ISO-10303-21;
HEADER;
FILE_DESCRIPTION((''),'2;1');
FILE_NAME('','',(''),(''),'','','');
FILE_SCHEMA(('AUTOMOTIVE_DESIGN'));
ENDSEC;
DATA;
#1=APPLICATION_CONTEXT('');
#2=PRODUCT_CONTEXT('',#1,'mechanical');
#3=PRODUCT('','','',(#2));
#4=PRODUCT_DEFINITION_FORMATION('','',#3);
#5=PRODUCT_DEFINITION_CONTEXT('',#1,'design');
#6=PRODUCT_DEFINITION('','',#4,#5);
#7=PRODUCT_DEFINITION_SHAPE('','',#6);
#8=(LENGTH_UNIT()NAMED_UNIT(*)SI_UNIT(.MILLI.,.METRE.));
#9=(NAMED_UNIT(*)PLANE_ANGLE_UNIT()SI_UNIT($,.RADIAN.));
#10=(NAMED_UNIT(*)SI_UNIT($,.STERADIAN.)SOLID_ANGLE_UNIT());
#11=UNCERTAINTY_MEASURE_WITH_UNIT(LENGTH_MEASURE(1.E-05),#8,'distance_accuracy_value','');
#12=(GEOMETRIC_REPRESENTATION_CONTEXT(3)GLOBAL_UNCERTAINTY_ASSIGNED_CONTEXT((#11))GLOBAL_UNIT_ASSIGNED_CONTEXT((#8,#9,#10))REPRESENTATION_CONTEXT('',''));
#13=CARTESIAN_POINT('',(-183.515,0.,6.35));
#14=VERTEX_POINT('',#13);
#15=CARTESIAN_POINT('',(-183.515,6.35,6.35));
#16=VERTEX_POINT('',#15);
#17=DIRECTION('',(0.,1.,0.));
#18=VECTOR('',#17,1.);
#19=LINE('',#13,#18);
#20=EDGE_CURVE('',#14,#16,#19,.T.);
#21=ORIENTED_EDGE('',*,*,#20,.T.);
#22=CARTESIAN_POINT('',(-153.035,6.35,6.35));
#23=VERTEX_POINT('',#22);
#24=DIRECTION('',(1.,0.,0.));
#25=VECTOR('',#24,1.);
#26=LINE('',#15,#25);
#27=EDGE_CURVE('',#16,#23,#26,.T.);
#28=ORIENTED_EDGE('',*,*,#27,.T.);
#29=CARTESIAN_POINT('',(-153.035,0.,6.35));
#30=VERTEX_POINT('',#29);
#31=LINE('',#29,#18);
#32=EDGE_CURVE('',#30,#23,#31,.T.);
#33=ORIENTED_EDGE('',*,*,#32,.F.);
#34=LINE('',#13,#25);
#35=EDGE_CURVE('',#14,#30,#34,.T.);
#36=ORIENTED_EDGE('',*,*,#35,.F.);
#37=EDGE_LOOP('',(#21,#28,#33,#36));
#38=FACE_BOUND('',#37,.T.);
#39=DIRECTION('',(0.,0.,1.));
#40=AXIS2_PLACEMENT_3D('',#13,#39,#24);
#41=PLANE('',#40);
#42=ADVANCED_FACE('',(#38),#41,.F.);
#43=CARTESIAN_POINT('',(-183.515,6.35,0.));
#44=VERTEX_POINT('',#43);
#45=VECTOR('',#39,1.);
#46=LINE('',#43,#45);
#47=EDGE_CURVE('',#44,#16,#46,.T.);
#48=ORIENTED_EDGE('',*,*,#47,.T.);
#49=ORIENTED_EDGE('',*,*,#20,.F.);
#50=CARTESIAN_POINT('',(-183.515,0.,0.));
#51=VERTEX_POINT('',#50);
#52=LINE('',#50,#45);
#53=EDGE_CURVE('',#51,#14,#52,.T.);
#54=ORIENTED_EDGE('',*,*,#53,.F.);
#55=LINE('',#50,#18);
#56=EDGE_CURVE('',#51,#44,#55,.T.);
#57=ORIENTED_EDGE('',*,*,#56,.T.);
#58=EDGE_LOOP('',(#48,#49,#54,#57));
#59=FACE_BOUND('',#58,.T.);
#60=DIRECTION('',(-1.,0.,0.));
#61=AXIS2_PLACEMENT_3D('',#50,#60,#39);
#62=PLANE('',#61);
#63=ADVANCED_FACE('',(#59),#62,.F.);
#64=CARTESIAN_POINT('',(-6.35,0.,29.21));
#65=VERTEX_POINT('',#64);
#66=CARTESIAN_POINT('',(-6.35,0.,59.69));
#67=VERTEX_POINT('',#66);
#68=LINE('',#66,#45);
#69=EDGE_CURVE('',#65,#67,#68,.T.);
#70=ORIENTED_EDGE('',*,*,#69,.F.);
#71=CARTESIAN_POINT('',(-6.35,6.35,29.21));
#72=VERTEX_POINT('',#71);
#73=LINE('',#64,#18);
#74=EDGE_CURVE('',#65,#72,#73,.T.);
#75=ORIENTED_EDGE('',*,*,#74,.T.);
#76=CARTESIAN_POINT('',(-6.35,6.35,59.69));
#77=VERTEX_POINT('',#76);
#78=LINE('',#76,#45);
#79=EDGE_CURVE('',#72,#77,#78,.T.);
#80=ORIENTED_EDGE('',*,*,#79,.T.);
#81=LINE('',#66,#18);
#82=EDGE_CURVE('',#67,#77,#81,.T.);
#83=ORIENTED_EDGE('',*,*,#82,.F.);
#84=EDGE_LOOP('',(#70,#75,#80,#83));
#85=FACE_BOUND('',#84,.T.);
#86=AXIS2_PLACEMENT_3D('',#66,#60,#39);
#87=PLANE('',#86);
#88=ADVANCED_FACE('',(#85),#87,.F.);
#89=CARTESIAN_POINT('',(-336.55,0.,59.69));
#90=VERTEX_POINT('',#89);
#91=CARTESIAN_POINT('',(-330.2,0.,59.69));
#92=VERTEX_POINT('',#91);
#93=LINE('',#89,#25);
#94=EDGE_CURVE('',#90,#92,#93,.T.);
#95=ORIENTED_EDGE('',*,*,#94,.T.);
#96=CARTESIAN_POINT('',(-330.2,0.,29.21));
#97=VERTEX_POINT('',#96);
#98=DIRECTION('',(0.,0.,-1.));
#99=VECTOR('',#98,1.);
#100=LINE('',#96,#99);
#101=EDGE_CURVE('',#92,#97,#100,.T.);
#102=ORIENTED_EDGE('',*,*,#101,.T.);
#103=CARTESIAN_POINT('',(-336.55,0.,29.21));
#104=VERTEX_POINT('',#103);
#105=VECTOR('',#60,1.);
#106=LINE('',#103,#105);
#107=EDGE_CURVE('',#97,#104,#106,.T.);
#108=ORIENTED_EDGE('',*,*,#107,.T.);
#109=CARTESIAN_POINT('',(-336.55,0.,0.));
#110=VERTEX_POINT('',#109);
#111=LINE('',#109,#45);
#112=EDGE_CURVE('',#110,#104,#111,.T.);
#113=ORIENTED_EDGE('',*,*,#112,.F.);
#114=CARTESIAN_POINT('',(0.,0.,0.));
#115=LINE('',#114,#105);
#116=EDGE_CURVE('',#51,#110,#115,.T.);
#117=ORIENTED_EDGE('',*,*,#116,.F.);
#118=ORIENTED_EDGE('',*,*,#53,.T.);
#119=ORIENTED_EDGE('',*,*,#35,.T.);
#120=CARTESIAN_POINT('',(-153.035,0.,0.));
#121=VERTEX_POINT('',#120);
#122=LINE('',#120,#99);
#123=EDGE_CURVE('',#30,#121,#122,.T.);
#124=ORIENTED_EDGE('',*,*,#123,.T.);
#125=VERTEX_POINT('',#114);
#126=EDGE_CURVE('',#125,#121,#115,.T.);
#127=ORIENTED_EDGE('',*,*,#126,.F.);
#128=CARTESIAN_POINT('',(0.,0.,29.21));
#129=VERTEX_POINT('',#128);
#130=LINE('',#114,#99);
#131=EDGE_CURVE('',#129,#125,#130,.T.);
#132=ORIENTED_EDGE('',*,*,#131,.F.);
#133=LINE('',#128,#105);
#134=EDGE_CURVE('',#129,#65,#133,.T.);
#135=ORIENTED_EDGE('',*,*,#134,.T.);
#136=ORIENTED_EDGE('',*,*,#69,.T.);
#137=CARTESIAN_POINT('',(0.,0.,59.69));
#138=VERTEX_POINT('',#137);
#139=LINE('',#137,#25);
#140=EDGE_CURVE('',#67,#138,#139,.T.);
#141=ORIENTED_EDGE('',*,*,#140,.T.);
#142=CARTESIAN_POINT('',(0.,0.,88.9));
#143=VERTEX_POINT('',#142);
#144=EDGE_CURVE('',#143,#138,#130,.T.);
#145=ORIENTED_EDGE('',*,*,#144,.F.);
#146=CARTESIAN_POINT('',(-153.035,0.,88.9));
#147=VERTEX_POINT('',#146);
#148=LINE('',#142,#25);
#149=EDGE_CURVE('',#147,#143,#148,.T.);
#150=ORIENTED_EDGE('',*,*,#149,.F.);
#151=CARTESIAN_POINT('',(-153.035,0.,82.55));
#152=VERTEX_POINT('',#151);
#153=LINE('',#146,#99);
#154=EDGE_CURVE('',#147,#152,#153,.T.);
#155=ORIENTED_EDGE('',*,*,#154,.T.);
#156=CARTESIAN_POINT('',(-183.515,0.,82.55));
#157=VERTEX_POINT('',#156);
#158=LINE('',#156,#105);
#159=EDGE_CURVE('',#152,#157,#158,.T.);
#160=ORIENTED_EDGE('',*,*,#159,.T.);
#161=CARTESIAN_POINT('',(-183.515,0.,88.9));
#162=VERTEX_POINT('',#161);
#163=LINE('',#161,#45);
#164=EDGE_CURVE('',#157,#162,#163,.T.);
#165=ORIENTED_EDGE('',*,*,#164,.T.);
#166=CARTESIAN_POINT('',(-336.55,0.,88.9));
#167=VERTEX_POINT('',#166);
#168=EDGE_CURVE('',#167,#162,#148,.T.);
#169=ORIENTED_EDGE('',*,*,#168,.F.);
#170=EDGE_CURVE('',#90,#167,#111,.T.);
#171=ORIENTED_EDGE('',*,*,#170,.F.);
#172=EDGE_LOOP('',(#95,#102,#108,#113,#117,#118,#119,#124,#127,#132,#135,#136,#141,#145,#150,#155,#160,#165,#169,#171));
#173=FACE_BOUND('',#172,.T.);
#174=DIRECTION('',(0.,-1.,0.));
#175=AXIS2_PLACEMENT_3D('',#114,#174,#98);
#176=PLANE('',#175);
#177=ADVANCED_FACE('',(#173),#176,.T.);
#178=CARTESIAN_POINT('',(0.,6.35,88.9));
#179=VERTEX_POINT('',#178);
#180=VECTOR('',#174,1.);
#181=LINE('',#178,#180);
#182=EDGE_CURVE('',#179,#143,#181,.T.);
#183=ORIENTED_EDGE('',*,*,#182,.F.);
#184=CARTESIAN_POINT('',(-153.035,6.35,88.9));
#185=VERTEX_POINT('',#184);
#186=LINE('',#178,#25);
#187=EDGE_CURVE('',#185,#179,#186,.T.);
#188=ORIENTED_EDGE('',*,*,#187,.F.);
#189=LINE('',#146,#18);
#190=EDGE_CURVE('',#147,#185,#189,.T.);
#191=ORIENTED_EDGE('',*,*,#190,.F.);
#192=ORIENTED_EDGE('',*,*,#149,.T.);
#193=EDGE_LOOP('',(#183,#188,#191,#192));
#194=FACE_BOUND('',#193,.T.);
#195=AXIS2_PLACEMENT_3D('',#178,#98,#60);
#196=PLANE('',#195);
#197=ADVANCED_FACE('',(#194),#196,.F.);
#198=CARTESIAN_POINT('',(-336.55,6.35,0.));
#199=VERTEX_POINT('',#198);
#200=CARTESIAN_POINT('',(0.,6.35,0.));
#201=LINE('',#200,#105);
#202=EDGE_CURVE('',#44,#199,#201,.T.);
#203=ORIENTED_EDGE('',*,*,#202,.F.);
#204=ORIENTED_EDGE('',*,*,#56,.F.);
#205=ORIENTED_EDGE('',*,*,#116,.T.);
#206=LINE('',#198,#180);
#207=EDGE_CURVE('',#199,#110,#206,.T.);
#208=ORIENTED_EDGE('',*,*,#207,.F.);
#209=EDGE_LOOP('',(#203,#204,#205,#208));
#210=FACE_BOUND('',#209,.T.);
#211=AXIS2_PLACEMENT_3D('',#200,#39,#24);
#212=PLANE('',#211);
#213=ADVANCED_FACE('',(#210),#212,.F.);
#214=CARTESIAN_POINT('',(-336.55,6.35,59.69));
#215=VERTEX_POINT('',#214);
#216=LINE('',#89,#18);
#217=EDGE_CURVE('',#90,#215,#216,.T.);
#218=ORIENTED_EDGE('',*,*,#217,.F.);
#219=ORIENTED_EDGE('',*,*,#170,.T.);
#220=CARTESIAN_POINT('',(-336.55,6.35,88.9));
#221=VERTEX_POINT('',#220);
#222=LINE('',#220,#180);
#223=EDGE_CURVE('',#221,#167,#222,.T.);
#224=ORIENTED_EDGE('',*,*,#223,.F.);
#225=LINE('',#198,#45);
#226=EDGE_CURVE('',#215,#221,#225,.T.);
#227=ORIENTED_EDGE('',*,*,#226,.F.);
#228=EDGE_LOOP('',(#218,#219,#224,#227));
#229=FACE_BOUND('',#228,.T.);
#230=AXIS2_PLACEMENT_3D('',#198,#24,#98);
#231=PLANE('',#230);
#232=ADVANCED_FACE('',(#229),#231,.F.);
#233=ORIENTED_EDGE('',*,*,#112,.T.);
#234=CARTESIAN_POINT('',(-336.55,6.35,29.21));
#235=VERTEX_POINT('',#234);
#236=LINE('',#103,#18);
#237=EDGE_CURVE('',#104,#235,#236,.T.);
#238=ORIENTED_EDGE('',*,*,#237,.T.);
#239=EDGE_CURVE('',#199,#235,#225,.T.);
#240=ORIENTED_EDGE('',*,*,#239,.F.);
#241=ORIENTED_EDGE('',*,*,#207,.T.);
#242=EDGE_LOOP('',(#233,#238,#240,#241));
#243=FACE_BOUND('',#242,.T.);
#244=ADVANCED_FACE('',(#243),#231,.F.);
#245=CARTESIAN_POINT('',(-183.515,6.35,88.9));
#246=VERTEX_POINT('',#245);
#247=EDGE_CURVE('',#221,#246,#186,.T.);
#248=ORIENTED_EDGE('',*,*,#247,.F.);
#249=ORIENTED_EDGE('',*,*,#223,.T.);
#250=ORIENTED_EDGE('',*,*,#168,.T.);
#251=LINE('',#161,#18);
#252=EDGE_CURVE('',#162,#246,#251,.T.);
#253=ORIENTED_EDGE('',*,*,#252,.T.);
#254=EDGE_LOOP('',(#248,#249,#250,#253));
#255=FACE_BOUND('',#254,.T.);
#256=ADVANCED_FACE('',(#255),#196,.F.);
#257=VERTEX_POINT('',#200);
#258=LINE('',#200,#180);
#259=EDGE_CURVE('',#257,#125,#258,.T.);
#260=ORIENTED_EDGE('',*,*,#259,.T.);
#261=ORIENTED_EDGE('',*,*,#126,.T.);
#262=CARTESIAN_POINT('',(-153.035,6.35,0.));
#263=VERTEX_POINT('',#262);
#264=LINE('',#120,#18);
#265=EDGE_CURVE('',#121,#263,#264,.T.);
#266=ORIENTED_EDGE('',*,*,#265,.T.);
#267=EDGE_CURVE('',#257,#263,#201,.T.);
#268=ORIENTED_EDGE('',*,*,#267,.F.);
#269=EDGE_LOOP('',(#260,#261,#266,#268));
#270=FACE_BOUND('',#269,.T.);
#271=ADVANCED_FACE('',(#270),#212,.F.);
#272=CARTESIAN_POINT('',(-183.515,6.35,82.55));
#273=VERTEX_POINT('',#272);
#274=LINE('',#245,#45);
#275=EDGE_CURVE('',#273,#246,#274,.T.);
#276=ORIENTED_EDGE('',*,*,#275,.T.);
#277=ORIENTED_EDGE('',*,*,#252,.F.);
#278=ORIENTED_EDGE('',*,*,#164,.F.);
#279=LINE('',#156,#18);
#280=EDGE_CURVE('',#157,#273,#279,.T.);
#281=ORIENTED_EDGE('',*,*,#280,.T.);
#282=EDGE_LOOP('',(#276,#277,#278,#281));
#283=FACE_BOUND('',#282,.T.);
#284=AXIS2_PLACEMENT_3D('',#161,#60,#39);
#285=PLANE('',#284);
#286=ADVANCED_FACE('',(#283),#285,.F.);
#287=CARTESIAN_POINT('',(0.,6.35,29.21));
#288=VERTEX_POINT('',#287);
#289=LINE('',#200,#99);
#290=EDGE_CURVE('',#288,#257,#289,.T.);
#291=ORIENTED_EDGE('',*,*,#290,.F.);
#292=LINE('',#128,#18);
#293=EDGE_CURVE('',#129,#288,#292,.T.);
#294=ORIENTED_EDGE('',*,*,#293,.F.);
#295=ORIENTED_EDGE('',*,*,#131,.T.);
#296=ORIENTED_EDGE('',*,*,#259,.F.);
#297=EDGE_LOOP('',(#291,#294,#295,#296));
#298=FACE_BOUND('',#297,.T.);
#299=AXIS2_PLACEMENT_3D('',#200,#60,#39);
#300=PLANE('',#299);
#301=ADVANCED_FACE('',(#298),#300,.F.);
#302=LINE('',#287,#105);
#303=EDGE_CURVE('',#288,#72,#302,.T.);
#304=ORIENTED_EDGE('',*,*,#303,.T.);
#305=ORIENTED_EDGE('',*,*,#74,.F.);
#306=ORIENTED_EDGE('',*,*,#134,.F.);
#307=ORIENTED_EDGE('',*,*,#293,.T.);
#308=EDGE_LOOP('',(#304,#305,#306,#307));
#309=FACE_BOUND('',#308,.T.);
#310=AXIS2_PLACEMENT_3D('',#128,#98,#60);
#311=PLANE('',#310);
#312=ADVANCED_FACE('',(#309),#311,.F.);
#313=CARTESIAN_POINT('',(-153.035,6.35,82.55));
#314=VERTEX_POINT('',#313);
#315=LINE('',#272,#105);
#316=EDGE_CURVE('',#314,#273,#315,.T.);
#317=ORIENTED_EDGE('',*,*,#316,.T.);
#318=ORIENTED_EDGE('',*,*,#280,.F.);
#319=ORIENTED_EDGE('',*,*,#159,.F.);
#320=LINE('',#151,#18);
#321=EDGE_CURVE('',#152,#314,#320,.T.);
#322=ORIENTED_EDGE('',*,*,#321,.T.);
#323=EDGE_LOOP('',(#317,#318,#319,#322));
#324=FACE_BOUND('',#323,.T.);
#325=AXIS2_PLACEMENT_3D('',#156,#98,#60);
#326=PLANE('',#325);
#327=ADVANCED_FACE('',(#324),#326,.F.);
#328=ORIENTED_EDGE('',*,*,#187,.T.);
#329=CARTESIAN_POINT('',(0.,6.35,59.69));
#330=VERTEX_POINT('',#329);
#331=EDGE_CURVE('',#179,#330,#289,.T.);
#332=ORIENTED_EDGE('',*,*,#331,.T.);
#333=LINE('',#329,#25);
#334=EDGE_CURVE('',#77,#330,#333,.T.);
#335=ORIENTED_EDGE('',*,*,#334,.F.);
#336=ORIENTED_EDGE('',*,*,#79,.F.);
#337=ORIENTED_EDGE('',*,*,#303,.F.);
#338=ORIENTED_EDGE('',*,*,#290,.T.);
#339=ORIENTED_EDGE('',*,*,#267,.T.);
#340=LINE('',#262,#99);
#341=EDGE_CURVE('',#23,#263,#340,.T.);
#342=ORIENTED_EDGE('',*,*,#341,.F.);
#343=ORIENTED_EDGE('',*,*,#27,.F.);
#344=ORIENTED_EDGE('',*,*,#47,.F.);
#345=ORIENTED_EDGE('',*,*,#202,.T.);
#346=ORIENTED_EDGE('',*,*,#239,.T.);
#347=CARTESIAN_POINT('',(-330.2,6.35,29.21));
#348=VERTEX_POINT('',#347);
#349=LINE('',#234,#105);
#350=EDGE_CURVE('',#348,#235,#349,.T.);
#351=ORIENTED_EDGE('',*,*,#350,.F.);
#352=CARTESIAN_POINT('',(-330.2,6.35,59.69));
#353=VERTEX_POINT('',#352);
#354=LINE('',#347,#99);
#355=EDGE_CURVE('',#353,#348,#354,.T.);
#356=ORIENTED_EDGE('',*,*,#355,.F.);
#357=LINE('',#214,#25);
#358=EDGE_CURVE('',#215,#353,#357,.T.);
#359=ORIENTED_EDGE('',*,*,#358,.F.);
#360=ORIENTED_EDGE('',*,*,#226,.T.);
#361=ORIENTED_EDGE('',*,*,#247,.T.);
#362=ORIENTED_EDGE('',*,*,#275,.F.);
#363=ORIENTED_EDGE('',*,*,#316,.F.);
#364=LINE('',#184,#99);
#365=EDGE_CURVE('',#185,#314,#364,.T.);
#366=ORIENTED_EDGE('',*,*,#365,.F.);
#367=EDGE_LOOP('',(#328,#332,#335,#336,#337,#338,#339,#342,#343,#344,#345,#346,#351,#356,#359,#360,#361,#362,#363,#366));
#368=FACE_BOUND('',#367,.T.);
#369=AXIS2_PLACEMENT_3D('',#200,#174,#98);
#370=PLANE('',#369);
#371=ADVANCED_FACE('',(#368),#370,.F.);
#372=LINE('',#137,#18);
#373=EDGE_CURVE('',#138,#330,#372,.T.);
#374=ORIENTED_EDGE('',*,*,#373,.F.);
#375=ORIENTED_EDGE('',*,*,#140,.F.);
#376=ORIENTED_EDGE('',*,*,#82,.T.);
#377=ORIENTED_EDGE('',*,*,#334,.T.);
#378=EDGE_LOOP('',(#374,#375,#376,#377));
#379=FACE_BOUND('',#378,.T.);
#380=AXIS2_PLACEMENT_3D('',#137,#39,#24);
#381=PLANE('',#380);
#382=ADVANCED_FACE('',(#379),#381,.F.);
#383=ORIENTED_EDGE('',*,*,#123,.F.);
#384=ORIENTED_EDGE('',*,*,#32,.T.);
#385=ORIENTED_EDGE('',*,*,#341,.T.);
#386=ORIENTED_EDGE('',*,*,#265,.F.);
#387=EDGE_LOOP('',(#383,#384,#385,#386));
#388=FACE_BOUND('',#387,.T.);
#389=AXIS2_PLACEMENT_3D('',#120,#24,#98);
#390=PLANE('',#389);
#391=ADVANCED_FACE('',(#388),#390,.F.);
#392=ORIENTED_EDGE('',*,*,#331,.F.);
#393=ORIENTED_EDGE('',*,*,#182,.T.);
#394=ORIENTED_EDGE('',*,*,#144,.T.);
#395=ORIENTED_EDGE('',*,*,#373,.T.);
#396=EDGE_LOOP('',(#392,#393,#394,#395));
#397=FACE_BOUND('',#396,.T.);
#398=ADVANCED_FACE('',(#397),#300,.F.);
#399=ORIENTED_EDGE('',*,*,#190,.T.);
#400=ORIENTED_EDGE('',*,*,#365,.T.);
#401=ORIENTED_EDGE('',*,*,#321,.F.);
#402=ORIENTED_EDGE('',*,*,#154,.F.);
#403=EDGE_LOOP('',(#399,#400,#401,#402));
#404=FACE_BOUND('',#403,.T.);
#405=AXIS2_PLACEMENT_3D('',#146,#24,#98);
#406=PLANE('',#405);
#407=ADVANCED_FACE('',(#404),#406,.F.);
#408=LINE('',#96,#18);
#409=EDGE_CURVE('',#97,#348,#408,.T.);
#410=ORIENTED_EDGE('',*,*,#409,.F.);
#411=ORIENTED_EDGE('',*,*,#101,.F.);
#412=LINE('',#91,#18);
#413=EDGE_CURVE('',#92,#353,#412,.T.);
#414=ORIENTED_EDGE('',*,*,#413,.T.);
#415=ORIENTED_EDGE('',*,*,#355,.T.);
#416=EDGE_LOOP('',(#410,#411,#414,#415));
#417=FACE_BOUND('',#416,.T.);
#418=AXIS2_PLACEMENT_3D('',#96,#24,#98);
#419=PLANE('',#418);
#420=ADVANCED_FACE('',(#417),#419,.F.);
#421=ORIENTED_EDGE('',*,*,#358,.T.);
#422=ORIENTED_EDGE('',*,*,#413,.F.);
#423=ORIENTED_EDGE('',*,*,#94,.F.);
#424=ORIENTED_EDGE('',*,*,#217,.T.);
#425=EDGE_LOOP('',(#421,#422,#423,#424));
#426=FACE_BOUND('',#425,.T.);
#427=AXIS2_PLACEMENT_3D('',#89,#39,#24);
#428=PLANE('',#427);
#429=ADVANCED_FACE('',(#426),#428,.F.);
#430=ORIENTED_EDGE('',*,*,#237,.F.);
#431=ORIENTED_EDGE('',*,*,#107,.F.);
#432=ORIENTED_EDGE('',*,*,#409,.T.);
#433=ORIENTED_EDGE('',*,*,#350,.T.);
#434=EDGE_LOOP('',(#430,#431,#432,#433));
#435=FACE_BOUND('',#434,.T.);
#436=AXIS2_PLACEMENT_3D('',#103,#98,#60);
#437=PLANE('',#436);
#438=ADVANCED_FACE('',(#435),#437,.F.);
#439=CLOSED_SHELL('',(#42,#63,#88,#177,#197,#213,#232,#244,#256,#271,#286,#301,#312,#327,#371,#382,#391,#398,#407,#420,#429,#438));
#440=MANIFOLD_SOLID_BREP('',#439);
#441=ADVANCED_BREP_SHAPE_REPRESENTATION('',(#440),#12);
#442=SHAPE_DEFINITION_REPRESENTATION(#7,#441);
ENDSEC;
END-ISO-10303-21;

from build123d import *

# Parameters (mm, degrees)
SKETCH1_W           = 336.55
SKETCH1_H           = 88.9
BOSS_EXTRUDE1_DEPTH = 6.35
SKETCH2_W           = 30.48
SKETCH2_H           = 6.35
SKETCH2_W_2         = 6.35
SKETCH2_H_2         = 30.48
CUT_EXTRUDE1_DEPTH  = 7.35


with BuildPart() as part:
    # Sketch1 → Boss-Extrude1 (new body)
    with BuildSketch(Plane(origin=(0, 0, 0), x_dir=(1, 0, 0), z_dir=(0, 1, 0))):
        with Locations((-168.275, -44.45)):
            Rectangle(SKETCH1_W, SKETCH1_H)
    extrude(amount=BOSS_EXTRUDE1_DEPTH)

    # Sketch2 → Cut-Extrude1 (cut, through all)
    with BuildSketch(Plane(origin=(0, 6.35, 0), x_dir=(1, 0, 0), z_dir=(0, 1, 0))):
        with Locations((-168.275, -3.175)):
            Rectangle(SKETCH2_W, SKETCH2_H)
        with Locations((-168.275, -85.725)):
            Rectangle(SKETCH2_W, SKETCH2_H)
        with Locations((-3.175, -44.45)):
            Rectangle(SKETCH2_W_2, SKETCH2_H_2)
        with Locations((-333.375, -44.45)):
            Rectangle(SKETCH2_W_2, SKETCH2_H_2)
    extrude(amount=-CUT_EXTRUDE1_DEPTH, mode=Mode.SUBTRACT)


solid = part.part
